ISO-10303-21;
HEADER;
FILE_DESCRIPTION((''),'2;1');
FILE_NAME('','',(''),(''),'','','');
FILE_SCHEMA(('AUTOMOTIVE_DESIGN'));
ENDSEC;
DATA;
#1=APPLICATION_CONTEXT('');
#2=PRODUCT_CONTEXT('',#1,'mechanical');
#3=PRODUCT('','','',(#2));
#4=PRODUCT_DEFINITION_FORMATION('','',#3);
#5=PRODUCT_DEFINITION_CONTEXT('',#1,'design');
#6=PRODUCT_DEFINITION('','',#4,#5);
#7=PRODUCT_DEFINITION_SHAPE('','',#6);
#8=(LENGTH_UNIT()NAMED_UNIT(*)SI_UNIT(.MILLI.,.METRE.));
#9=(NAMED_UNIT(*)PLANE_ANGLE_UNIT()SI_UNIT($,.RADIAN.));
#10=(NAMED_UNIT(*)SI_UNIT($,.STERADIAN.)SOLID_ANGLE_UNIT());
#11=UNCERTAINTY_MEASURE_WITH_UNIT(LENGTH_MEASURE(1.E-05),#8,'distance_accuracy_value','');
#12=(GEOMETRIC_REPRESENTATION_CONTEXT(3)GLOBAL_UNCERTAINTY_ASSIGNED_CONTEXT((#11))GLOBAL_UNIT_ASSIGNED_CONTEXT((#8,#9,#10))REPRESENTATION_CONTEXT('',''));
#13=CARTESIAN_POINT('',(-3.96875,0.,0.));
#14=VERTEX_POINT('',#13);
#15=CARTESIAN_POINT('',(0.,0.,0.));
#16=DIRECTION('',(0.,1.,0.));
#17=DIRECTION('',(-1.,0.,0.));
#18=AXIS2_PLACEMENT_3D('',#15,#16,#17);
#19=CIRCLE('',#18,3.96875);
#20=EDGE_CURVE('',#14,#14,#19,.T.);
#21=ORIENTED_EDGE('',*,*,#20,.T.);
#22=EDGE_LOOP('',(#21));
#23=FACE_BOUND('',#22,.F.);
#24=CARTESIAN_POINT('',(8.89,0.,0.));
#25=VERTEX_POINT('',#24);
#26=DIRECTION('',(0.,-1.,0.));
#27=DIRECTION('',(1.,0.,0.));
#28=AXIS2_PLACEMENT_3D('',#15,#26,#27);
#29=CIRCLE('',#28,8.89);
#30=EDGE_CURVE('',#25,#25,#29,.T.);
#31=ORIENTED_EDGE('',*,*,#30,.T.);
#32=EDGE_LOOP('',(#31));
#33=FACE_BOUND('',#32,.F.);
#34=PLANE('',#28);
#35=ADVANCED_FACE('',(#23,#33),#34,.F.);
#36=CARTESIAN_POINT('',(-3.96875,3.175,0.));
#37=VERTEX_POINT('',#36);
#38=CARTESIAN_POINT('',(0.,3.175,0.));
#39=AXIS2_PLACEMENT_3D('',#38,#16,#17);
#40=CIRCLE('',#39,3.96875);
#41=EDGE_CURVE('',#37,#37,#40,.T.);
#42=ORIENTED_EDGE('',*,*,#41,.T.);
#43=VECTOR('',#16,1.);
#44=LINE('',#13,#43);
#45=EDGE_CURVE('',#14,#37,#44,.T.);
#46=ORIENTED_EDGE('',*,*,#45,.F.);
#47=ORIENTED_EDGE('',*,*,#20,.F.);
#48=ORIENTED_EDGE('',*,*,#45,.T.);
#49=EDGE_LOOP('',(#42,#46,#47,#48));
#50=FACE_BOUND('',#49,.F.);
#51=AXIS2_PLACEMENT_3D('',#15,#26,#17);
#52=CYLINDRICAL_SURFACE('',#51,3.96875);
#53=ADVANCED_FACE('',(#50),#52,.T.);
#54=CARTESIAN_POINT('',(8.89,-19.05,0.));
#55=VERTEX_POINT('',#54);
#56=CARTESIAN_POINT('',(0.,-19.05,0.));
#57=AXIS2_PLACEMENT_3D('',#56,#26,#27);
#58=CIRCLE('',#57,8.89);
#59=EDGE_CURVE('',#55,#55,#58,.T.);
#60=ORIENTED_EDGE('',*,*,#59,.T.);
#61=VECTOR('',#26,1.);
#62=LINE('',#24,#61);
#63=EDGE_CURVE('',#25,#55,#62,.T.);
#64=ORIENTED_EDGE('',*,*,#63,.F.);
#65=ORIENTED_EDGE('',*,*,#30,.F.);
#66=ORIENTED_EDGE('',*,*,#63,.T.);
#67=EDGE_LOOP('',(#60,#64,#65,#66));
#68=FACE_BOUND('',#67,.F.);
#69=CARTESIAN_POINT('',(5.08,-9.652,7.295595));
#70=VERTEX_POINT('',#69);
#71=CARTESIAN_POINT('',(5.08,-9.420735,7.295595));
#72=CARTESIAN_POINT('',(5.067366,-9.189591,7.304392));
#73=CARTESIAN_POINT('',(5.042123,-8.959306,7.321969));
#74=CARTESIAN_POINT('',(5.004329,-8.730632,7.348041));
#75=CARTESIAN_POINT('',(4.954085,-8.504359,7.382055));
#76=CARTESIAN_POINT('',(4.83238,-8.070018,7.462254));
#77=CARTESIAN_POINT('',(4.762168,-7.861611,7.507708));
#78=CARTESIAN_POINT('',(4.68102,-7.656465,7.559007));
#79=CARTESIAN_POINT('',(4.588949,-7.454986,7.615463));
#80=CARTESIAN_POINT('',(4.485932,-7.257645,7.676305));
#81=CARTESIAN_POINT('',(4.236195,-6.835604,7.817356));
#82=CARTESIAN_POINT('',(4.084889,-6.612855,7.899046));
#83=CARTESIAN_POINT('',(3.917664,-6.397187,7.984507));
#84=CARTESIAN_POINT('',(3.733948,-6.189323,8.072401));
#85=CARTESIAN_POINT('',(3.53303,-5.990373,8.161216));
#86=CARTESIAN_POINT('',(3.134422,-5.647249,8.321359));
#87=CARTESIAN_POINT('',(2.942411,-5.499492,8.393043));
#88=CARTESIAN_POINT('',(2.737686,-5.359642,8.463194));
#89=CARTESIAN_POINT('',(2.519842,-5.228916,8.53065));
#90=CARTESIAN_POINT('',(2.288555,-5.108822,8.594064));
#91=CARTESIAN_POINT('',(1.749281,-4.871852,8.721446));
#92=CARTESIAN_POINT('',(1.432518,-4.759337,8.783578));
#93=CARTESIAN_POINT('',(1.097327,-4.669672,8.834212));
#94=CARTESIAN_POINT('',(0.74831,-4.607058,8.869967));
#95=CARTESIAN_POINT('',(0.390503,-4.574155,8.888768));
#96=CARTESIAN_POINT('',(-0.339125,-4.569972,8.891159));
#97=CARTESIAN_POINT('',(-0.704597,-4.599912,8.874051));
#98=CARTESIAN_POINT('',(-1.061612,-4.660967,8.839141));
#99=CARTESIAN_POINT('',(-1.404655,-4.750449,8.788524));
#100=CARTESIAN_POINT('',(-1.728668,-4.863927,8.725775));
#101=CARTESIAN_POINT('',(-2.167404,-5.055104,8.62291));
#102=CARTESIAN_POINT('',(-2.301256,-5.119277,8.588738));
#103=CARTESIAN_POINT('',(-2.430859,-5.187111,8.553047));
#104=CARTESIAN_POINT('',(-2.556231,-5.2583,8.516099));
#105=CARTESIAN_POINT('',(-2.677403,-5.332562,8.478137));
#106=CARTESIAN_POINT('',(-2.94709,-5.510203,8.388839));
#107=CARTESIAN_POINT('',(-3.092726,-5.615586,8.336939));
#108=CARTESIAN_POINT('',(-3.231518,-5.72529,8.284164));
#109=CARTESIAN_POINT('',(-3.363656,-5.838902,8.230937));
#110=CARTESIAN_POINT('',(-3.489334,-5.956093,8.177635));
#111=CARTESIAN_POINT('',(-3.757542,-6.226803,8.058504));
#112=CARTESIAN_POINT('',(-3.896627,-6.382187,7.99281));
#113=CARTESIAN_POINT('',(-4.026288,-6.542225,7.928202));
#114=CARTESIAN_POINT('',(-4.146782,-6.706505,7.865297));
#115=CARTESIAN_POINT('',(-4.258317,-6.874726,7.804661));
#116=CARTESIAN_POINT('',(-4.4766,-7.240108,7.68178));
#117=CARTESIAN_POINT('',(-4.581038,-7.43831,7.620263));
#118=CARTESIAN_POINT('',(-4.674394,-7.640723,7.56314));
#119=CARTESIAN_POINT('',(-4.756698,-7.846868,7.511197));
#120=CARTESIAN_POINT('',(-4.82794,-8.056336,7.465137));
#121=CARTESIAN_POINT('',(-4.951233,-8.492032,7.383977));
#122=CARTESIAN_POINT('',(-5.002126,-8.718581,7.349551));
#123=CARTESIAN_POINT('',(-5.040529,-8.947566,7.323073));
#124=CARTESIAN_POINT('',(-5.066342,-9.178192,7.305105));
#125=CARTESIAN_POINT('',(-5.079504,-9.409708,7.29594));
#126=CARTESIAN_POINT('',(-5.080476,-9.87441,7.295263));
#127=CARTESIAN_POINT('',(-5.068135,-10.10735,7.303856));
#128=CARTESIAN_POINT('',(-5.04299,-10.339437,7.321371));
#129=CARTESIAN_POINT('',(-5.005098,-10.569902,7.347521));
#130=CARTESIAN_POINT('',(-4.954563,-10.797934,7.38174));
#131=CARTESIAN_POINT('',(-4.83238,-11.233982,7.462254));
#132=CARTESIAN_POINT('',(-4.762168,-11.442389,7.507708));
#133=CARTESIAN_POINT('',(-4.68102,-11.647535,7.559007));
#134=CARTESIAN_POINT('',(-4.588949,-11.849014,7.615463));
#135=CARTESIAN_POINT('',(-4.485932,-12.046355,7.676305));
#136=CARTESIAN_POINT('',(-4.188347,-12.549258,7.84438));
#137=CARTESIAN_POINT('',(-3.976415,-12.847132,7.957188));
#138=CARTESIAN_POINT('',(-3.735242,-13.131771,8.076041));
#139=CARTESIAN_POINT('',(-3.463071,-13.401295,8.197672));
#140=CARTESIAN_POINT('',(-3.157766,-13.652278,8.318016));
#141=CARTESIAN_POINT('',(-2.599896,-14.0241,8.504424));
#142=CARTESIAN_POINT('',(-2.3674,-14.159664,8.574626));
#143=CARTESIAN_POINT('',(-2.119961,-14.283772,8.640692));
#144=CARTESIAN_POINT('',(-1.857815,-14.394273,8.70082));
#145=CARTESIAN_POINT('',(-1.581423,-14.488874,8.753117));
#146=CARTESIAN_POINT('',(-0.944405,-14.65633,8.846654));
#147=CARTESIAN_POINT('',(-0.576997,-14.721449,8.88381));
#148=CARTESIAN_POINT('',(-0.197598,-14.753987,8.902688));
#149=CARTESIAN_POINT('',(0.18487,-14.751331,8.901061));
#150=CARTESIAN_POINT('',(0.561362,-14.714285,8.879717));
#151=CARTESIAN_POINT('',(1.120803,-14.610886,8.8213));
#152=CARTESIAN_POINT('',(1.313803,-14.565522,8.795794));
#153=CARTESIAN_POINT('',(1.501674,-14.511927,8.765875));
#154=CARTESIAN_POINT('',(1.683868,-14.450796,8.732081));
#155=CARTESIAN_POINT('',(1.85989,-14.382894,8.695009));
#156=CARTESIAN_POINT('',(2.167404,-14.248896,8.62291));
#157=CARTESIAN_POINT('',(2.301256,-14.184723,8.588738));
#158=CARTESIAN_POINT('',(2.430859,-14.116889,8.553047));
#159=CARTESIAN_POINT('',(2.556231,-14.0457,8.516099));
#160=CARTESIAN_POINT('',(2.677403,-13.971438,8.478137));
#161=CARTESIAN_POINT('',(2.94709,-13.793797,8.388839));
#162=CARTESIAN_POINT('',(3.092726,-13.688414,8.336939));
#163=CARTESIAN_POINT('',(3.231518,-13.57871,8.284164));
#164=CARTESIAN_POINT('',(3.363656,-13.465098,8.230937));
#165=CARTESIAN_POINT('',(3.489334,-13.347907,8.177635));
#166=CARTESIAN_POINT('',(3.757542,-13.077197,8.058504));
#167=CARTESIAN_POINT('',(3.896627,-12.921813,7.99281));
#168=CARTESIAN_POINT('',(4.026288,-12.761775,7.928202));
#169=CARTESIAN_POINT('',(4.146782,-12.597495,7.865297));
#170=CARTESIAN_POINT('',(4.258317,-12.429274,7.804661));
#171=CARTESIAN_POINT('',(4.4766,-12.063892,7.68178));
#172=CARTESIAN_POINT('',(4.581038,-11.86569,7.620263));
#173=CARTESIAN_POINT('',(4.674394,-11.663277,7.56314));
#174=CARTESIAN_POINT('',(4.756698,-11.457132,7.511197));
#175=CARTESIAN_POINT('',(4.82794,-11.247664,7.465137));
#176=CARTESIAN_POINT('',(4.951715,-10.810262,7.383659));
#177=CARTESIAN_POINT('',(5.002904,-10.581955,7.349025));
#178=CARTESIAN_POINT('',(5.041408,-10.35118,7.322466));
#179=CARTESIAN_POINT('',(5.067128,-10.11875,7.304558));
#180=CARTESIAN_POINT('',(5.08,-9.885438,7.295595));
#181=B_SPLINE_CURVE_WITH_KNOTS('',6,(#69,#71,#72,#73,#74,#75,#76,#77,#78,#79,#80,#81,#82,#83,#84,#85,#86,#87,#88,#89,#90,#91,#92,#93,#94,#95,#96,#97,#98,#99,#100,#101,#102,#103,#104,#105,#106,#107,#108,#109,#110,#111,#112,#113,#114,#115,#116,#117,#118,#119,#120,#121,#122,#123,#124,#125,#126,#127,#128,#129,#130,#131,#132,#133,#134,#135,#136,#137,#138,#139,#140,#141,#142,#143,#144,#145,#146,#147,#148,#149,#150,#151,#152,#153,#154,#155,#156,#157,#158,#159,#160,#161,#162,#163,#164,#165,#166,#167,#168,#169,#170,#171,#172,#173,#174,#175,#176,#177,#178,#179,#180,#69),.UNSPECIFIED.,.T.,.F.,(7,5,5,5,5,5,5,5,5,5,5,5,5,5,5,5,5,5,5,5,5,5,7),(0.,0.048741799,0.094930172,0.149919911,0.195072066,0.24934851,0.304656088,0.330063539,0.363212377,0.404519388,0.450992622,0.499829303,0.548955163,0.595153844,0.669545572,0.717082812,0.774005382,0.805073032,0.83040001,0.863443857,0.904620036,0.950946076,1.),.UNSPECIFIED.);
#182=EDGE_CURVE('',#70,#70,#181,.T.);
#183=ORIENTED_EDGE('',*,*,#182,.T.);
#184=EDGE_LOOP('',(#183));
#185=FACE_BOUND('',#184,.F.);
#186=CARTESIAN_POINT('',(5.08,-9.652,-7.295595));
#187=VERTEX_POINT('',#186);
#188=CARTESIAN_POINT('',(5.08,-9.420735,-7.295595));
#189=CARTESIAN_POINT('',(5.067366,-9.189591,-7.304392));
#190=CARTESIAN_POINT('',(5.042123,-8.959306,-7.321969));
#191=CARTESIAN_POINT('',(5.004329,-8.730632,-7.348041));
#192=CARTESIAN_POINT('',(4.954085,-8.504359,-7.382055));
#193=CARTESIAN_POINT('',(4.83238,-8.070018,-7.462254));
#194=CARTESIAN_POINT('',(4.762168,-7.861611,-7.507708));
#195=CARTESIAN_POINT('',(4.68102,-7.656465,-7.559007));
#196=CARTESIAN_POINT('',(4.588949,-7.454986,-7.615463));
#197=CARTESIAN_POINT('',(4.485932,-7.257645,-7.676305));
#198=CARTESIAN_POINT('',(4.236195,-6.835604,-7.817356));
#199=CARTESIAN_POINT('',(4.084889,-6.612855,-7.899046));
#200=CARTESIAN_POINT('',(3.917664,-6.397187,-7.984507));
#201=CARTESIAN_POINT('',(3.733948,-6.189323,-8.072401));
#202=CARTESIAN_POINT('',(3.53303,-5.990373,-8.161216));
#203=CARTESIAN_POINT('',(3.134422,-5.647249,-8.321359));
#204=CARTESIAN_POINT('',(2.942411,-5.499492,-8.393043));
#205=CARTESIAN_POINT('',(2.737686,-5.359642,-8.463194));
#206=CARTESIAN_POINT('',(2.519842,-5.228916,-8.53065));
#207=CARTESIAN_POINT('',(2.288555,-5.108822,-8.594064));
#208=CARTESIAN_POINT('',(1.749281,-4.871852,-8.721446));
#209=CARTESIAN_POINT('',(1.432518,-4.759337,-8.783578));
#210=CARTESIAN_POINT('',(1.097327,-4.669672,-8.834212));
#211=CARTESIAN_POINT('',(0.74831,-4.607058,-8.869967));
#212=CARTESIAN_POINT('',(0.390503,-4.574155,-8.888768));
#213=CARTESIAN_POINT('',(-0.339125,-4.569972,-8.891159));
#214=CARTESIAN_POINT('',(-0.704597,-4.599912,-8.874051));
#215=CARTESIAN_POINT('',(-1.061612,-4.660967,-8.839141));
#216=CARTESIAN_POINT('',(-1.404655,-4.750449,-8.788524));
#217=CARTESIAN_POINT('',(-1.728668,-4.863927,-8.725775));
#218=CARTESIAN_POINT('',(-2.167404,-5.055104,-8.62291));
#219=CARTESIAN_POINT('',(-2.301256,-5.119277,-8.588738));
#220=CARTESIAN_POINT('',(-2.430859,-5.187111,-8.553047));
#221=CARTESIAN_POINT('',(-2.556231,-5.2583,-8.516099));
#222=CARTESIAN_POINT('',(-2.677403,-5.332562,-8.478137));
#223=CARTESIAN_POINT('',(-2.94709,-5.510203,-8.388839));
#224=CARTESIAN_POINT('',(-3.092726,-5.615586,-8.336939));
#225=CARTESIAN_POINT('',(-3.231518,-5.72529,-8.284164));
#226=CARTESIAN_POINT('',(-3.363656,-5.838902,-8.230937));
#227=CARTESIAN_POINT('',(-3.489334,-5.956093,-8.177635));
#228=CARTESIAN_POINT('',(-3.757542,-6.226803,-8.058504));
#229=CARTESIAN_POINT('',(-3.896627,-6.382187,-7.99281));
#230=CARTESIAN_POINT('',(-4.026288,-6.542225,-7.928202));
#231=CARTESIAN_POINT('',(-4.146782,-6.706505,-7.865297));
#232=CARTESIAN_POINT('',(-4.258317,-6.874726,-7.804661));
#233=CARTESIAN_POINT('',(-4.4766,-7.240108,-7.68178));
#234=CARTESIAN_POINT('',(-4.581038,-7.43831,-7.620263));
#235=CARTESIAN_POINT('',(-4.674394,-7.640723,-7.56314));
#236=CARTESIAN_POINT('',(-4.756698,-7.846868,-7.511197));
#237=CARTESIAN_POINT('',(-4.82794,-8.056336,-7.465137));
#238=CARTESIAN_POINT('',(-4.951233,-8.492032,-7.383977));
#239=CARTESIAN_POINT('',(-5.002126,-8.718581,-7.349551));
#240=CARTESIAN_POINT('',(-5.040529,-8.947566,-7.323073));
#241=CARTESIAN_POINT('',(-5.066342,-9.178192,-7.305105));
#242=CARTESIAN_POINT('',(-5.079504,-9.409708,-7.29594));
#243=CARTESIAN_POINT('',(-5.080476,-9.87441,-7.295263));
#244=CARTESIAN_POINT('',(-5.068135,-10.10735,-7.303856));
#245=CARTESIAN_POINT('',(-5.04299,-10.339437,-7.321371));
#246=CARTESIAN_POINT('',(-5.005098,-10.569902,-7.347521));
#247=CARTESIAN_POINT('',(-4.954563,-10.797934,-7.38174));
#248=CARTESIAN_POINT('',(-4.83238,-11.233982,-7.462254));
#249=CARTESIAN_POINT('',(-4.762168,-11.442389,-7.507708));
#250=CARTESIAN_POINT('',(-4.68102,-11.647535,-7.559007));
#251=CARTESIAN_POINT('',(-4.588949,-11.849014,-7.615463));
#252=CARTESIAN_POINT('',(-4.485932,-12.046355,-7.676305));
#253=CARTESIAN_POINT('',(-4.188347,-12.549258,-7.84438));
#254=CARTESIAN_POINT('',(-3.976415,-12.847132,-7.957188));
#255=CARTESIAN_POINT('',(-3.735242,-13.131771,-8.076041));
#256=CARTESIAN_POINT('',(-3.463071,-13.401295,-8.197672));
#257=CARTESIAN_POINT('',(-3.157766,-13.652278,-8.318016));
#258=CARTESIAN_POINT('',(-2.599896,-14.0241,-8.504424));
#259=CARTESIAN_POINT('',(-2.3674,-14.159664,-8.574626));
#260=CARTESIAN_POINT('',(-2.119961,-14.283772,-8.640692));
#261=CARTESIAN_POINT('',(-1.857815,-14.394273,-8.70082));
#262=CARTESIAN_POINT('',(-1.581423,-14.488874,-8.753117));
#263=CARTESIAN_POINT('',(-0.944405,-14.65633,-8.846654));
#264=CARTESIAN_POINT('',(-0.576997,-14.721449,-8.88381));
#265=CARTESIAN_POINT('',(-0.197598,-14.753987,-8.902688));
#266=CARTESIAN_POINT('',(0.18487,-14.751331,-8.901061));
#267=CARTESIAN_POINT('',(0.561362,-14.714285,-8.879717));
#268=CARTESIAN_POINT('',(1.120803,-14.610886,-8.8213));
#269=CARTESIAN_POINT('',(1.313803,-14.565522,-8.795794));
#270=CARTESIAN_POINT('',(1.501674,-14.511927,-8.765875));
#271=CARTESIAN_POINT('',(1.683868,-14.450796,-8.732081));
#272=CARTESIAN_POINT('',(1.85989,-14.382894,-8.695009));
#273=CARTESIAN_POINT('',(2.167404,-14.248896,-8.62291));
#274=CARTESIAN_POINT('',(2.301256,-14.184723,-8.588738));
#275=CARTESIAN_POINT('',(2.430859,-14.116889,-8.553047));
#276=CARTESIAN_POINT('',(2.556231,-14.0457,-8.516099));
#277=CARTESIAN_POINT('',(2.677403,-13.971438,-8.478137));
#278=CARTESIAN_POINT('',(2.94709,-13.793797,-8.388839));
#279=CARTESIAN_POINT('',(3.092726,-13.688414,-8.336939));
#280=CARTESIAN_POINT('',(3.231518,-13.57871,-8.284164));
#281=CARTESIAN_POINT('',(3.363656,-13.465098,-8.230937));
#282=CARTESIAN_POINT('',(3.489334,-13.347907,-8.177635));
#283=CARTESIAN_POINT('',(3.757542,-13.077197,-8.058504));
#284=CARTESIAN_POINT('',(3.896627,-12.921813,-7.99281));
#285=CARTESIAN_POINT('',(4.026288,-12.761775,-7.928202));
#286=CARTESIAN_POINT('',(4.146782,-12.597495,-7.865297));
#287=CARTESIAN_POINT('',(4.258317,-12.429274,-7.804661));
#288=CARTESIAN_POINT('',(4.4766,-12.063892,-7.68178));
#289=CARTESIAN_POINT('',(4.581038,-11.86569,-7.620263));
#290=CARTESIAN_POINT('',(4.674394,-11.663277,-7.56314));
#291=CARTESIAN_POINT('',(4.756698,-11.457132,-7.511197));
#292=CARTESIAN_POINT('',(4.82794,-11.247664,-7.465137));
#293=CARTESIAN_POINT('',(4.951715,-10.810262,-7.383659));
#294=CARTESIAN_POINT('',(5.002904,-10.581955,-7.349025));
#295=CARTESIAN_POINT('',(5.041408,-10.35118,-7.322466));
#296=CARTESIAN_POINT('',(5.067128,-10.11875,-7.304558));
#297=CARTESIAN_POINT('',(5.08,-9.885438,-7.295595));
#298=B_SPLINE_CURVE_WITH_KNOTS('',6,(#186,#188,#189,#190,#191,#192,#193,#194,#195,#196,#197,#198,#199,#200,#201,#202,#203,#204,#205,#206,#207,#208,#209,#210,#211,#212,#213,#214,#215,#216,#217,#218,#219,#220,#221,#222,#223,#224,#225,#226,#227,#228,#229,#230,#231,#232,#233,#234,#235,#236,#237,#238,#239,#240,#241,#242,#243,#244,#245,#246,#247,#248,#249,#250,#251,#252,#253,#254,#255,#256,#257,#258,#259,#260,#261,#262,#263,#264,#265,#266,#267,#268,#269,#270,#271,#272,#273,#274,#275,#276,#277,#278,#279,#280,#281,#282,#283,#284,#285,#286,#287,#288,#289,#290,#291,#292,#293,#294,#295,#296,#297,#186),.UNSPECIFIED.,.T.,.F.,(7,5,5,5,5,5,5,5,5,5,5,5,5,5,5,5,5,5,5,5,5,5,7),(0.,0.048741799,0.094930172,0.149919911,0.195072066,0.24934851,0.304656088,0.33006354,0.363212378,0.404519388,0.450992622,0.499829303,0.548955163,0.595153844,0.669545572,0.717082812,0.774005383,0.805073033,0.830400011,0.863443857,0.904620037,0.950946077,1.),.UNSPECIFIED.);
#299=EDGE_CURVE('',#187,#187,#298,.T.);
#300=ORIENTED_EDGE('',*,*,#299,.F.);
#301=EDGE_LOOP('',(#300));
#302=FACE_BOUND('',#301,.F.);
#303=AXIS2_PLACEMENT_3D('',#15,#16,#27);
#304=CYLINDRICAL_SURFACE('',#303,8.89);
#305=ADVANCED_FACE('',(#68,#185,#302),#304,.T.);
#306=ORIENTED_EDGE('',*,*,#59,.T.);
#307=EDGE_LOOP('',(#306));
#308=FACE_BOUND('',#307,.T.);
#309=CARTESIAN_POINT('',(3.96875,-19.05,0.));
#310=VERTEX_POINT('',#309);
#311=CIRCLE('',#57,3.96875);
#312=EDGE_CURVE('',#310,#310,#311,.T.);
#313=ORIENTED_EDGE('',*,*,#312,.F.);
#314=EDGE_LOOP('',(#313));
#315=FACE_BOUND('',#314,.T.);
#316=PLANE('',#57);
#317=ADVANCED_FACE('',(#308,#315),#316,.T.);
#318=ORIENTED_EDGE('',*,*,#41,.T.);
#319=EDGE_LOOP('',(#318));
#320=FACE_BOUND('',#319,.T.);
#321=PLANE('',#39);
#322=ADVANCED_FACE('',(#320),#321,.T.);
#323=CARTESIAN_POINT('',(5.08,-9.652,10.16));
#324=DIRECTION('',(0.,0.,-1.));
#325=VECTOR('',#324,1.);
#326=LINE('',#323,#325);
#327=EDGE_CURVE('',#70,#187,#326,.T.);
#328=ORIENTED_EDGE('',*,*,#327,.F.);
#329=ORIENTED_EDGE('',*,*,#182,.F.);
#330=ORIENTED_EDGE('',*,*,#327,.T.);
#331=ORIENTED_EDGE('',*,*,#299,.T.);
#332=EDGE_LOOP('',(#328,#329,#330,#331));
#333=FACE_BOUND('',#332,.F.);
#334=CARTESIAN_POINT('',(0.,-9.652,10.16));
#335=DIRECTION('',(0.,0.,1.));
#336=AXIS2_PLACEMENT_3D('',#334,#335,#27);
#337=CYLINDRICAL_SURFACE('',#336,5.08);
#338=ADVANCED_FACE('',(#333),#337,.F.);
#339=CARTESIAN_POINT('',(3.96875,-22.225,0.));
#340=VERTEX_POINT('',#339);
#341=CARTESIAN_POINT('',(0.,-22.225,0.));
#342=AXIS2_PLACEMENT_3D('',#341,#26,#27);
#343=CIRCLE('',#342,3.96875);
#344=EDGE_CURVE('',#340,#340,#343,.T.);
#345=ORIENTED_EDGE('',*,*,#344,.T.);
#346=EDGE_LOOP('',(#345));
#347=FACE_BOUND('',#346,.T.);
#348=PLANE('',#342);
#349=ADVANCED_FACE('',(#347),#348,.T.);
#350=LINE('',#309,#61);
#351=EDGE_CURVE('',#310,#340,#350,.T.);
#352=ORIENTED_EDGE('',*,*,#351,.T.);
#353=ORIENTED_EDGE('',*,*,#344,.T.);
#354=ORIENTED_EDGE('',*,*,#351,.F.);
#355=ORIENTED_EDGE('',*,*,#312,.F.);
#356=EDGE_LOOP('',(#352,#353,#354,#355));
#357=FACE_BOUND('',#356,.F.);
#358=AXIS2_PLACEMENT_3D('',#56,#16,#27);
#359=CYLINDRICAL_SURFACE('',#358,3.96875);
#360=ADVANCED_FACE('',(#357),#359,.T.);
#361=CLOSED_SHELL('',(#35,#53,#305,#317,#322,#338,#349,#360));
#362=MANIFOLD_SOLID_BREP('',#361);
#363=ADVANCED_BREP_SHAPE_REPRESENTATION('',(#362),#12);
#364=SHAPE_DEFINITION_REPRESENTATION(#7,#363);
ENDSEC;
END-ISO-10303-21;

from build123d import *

# Parameters (mm, degrees)
F0_R     = 8.89
F1_DEPTH = 19.05
F2_R     = 3.96875
F3_DEPTH = 3.175
F4_R     = 3.96875
F5_DEPTH = 3.175
F7_R     = 5.08
F8_DEPTH = 25.4


with BuildPart() as f1:
    # F0 (on Front) → F1 (new body)
    with BuildSketch(Plane.XZ):
        Circle(F0_R)
    extrude(amount=F1_DEPTH)

    # F2 (on face) → F3 (join)
    with BuildSketch(Plane.XZ.offset(19.05)):
        Circle(F2_R)
    extrude(amount=F3_DEPTH)

    # F4 (on face) → F5 (join)
    with BuildSketch(Plane(origin=(0, 0, 0), x_dir=(-1, 0, 0), z_dir=(0, 1, 0))):
        Circle(F4_R)
    extrude(amount=F5_DEPTH)

    # F7 (on offset) → F8 (cut)
    with BuildSketch(Plane.XY.offset(10.16)):
        with Locations((0, -9.652)):
            Circle(F7_R)
    extrude(amount=-F8_DEPTH, mode=Mode.SUBTRACT)


solid = f1.part
